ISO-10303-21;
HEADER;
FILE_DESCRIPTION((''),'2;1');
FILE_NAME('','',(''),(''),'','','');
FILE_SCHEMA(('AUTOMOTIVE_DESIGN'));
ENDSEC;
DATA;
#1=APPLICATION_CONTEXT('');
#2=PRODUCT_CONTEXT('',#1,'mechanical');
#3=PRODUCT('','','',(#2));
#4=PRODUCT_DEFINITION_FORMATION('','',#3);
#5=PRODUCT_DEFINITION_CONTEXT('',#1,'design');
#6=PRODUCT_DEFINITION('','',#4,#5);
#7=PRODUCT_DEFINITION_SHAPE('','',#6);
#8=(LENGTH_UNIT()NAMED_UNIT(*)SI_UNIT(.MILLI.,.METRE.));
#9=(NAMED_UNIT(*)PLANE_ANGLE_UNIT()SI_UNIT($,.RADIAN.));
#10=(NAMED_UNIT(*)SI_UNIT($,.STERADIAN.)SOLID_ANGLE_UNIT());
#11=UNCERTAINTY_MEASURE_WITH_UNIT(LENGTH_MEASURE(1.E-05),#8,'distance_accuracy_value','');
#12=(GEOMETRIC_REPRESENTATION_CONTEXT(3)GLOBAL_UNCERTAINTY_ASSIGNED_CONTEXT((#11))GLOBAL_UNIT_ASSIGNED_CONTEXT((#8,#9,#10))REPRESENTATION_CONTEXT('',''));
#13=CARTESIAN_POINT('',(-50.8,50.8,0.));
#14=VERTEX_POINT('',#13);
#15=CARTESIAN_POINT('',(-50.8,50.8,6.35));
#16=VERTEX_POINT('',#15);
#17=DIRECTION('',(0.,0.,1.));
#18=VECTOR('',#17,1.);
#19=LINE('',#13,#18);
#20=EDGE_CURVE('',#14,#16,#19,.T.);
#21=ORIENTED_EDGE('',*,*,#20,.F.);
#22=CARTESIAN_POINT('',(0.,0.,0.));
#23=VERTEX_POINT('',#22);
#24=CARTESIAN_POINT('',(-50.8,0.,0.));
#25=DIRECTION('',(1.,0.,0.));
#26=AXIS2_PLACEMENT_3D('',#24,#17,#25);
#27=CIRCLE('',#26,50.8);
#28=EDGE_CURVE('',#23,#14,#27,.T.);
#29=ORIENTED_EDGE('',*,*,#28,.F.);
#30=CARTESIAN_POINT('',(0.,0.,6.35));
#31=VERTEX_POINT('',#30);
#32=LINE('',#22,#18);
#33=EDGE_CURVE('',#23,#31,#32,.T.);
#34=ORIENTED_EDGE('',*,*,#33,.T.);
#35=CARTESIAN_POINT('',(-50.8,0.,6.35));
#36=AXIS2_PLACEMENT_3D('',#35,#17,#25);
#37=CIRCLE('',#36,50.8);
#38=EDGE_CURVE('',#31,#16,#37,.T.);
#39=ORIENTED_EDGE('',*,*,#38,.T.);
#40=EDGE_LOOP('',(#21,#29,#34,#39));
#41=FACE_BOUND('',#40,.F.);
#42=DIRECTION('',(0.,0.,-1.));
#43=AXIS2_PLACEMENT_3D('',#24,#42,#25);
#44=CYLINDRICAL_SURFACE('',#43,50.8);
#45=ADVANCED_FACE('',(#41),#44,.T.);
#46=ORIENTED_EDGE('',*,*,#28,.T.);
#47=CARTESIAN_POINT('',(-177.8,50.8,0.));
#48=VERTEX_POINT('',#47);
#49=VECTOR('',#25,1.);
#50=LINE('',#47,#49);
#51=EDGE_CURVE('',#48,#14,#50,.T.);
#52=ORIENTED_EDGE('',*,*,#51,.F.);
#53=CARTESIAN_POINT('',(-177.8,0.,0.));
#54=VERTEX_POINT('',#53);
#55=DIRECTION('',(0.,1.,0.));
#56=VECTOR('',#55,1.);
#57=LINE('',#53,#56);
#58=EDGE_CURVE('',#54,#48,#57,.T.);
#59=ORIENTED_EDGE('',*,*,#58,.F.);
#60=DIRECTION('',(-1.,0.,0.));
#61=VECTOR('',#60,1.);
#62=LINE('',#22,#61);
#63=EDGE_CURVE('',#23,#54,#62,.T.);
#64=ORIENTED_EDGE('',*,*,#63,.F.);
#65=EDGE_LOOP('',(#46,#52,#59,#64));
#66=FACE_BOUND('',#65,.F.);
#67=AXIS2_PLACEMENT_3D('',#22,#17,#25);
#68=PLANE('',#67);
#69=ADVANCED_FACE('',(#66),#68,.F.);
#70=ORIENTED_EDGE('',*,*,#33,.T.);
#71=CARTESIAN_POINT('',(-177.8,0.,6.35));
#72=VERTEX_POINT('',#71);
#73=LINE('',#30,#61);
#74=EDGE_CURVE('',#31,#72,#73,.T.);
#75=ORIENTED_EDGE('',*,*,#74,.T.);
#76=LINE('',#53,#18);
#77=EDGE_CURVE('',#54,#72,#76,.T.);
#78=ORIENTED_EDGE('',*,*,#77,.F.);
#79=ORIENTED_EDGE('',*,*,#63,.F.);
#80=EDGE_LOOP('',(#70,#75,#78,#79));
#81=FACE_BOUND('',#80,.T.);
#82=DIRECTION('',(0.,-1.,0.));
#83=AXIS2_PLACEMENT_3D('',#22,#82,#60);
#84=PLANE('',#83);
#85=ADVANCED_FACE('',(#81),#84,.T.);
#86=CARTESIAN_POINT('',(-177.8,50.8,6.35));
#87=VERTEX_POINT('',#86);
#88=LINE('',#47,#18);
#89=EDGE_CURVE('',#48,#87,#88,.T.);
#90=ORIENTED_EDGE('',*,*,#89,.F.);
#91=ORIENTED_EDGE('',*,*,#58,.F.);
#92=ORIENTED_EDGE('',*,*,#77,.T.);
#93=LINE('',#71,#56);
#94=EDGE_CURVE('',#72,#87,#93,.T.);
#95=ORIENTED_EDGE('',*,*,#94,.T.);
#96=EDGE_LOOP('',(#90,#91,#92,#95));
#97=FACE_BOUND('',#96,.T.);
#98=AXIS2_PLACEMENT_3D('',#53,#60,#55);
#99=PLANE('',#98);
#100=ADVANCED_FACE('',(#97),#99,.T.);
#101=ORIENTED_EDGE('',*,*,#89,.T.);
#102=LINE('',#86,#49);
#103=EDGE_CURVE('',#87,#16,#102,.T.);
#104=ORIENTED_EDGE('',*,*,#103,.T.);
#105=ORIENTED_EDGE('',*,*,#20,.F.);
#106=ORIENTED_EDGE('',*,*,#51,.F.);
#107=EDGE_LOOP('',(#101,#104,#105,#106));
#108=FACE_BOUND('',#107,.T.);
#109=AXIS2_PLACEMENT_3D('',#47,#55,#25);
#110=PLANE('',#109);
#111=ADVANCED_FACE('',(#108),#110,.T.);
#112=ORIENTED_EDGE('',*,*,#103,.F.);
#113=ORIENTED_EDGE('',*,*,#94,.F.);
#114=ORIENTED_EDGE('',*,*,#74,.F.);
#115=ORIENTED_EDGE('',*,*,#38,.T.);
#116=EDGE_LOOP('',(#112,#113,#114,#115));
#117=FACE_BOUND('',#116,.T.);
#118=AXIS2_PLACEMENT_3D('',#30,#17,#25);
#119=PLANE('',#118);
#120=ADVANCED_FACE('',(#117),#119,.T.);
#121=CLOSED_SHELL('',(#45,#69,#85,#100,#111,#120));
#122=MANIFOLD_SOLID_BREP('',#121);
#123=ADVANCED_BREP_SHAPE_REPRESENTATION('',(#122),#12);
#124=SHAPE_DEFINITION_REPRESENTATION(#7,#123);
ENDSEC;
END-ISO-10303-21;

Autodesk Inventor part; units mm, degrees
ref_plane "YZ Plane" through (0, 0, 0) normal (1, 0, 0) x (0, 1, 0)
ref_plane "XZ Plane" through (0, 0, 0) normal (0, 1, 0) x (-1, 0, 0)
ref_plane "XY Plane" through (0, 0, 0) normal (0, 0, 1) x (1, 0, 0)
sketch "Sketch1" plane through (0, 0, 0) normal (0, 0, 1) x (1, 0, 0)
  line L0 (0, 0) -> (-177.8, 0)
  line L1 (-177.8, 0) -> (-177.8, 50.8)
  line L2 (-177.8, 50.8) -> (-50.8, 50.8)
  line L3 (0, 0) -> (0, 0)
  arc A0 (0, 47.625) -> (-3.175, 50.8) centre (-3.175, 47.625) ccw
  arc A1 (0, 47.625) -> (-3.175, 50.8) centre (-3.175, 47.625) ccw
  arc A2 (0, 0) -> (-50.8, 50.8) centre (-50.8, 0) ccw
  point P0 (0, 50.8)
  dimension "d0" = 177.8
  dimension "d1" = 50.8
  dimension "d4" = 3.175
  dimension "d5" = 50.8
extrude "Extrusion1" add sketch "Sketch1" along normal blind 6.35
properties part number "lexan stuff"
